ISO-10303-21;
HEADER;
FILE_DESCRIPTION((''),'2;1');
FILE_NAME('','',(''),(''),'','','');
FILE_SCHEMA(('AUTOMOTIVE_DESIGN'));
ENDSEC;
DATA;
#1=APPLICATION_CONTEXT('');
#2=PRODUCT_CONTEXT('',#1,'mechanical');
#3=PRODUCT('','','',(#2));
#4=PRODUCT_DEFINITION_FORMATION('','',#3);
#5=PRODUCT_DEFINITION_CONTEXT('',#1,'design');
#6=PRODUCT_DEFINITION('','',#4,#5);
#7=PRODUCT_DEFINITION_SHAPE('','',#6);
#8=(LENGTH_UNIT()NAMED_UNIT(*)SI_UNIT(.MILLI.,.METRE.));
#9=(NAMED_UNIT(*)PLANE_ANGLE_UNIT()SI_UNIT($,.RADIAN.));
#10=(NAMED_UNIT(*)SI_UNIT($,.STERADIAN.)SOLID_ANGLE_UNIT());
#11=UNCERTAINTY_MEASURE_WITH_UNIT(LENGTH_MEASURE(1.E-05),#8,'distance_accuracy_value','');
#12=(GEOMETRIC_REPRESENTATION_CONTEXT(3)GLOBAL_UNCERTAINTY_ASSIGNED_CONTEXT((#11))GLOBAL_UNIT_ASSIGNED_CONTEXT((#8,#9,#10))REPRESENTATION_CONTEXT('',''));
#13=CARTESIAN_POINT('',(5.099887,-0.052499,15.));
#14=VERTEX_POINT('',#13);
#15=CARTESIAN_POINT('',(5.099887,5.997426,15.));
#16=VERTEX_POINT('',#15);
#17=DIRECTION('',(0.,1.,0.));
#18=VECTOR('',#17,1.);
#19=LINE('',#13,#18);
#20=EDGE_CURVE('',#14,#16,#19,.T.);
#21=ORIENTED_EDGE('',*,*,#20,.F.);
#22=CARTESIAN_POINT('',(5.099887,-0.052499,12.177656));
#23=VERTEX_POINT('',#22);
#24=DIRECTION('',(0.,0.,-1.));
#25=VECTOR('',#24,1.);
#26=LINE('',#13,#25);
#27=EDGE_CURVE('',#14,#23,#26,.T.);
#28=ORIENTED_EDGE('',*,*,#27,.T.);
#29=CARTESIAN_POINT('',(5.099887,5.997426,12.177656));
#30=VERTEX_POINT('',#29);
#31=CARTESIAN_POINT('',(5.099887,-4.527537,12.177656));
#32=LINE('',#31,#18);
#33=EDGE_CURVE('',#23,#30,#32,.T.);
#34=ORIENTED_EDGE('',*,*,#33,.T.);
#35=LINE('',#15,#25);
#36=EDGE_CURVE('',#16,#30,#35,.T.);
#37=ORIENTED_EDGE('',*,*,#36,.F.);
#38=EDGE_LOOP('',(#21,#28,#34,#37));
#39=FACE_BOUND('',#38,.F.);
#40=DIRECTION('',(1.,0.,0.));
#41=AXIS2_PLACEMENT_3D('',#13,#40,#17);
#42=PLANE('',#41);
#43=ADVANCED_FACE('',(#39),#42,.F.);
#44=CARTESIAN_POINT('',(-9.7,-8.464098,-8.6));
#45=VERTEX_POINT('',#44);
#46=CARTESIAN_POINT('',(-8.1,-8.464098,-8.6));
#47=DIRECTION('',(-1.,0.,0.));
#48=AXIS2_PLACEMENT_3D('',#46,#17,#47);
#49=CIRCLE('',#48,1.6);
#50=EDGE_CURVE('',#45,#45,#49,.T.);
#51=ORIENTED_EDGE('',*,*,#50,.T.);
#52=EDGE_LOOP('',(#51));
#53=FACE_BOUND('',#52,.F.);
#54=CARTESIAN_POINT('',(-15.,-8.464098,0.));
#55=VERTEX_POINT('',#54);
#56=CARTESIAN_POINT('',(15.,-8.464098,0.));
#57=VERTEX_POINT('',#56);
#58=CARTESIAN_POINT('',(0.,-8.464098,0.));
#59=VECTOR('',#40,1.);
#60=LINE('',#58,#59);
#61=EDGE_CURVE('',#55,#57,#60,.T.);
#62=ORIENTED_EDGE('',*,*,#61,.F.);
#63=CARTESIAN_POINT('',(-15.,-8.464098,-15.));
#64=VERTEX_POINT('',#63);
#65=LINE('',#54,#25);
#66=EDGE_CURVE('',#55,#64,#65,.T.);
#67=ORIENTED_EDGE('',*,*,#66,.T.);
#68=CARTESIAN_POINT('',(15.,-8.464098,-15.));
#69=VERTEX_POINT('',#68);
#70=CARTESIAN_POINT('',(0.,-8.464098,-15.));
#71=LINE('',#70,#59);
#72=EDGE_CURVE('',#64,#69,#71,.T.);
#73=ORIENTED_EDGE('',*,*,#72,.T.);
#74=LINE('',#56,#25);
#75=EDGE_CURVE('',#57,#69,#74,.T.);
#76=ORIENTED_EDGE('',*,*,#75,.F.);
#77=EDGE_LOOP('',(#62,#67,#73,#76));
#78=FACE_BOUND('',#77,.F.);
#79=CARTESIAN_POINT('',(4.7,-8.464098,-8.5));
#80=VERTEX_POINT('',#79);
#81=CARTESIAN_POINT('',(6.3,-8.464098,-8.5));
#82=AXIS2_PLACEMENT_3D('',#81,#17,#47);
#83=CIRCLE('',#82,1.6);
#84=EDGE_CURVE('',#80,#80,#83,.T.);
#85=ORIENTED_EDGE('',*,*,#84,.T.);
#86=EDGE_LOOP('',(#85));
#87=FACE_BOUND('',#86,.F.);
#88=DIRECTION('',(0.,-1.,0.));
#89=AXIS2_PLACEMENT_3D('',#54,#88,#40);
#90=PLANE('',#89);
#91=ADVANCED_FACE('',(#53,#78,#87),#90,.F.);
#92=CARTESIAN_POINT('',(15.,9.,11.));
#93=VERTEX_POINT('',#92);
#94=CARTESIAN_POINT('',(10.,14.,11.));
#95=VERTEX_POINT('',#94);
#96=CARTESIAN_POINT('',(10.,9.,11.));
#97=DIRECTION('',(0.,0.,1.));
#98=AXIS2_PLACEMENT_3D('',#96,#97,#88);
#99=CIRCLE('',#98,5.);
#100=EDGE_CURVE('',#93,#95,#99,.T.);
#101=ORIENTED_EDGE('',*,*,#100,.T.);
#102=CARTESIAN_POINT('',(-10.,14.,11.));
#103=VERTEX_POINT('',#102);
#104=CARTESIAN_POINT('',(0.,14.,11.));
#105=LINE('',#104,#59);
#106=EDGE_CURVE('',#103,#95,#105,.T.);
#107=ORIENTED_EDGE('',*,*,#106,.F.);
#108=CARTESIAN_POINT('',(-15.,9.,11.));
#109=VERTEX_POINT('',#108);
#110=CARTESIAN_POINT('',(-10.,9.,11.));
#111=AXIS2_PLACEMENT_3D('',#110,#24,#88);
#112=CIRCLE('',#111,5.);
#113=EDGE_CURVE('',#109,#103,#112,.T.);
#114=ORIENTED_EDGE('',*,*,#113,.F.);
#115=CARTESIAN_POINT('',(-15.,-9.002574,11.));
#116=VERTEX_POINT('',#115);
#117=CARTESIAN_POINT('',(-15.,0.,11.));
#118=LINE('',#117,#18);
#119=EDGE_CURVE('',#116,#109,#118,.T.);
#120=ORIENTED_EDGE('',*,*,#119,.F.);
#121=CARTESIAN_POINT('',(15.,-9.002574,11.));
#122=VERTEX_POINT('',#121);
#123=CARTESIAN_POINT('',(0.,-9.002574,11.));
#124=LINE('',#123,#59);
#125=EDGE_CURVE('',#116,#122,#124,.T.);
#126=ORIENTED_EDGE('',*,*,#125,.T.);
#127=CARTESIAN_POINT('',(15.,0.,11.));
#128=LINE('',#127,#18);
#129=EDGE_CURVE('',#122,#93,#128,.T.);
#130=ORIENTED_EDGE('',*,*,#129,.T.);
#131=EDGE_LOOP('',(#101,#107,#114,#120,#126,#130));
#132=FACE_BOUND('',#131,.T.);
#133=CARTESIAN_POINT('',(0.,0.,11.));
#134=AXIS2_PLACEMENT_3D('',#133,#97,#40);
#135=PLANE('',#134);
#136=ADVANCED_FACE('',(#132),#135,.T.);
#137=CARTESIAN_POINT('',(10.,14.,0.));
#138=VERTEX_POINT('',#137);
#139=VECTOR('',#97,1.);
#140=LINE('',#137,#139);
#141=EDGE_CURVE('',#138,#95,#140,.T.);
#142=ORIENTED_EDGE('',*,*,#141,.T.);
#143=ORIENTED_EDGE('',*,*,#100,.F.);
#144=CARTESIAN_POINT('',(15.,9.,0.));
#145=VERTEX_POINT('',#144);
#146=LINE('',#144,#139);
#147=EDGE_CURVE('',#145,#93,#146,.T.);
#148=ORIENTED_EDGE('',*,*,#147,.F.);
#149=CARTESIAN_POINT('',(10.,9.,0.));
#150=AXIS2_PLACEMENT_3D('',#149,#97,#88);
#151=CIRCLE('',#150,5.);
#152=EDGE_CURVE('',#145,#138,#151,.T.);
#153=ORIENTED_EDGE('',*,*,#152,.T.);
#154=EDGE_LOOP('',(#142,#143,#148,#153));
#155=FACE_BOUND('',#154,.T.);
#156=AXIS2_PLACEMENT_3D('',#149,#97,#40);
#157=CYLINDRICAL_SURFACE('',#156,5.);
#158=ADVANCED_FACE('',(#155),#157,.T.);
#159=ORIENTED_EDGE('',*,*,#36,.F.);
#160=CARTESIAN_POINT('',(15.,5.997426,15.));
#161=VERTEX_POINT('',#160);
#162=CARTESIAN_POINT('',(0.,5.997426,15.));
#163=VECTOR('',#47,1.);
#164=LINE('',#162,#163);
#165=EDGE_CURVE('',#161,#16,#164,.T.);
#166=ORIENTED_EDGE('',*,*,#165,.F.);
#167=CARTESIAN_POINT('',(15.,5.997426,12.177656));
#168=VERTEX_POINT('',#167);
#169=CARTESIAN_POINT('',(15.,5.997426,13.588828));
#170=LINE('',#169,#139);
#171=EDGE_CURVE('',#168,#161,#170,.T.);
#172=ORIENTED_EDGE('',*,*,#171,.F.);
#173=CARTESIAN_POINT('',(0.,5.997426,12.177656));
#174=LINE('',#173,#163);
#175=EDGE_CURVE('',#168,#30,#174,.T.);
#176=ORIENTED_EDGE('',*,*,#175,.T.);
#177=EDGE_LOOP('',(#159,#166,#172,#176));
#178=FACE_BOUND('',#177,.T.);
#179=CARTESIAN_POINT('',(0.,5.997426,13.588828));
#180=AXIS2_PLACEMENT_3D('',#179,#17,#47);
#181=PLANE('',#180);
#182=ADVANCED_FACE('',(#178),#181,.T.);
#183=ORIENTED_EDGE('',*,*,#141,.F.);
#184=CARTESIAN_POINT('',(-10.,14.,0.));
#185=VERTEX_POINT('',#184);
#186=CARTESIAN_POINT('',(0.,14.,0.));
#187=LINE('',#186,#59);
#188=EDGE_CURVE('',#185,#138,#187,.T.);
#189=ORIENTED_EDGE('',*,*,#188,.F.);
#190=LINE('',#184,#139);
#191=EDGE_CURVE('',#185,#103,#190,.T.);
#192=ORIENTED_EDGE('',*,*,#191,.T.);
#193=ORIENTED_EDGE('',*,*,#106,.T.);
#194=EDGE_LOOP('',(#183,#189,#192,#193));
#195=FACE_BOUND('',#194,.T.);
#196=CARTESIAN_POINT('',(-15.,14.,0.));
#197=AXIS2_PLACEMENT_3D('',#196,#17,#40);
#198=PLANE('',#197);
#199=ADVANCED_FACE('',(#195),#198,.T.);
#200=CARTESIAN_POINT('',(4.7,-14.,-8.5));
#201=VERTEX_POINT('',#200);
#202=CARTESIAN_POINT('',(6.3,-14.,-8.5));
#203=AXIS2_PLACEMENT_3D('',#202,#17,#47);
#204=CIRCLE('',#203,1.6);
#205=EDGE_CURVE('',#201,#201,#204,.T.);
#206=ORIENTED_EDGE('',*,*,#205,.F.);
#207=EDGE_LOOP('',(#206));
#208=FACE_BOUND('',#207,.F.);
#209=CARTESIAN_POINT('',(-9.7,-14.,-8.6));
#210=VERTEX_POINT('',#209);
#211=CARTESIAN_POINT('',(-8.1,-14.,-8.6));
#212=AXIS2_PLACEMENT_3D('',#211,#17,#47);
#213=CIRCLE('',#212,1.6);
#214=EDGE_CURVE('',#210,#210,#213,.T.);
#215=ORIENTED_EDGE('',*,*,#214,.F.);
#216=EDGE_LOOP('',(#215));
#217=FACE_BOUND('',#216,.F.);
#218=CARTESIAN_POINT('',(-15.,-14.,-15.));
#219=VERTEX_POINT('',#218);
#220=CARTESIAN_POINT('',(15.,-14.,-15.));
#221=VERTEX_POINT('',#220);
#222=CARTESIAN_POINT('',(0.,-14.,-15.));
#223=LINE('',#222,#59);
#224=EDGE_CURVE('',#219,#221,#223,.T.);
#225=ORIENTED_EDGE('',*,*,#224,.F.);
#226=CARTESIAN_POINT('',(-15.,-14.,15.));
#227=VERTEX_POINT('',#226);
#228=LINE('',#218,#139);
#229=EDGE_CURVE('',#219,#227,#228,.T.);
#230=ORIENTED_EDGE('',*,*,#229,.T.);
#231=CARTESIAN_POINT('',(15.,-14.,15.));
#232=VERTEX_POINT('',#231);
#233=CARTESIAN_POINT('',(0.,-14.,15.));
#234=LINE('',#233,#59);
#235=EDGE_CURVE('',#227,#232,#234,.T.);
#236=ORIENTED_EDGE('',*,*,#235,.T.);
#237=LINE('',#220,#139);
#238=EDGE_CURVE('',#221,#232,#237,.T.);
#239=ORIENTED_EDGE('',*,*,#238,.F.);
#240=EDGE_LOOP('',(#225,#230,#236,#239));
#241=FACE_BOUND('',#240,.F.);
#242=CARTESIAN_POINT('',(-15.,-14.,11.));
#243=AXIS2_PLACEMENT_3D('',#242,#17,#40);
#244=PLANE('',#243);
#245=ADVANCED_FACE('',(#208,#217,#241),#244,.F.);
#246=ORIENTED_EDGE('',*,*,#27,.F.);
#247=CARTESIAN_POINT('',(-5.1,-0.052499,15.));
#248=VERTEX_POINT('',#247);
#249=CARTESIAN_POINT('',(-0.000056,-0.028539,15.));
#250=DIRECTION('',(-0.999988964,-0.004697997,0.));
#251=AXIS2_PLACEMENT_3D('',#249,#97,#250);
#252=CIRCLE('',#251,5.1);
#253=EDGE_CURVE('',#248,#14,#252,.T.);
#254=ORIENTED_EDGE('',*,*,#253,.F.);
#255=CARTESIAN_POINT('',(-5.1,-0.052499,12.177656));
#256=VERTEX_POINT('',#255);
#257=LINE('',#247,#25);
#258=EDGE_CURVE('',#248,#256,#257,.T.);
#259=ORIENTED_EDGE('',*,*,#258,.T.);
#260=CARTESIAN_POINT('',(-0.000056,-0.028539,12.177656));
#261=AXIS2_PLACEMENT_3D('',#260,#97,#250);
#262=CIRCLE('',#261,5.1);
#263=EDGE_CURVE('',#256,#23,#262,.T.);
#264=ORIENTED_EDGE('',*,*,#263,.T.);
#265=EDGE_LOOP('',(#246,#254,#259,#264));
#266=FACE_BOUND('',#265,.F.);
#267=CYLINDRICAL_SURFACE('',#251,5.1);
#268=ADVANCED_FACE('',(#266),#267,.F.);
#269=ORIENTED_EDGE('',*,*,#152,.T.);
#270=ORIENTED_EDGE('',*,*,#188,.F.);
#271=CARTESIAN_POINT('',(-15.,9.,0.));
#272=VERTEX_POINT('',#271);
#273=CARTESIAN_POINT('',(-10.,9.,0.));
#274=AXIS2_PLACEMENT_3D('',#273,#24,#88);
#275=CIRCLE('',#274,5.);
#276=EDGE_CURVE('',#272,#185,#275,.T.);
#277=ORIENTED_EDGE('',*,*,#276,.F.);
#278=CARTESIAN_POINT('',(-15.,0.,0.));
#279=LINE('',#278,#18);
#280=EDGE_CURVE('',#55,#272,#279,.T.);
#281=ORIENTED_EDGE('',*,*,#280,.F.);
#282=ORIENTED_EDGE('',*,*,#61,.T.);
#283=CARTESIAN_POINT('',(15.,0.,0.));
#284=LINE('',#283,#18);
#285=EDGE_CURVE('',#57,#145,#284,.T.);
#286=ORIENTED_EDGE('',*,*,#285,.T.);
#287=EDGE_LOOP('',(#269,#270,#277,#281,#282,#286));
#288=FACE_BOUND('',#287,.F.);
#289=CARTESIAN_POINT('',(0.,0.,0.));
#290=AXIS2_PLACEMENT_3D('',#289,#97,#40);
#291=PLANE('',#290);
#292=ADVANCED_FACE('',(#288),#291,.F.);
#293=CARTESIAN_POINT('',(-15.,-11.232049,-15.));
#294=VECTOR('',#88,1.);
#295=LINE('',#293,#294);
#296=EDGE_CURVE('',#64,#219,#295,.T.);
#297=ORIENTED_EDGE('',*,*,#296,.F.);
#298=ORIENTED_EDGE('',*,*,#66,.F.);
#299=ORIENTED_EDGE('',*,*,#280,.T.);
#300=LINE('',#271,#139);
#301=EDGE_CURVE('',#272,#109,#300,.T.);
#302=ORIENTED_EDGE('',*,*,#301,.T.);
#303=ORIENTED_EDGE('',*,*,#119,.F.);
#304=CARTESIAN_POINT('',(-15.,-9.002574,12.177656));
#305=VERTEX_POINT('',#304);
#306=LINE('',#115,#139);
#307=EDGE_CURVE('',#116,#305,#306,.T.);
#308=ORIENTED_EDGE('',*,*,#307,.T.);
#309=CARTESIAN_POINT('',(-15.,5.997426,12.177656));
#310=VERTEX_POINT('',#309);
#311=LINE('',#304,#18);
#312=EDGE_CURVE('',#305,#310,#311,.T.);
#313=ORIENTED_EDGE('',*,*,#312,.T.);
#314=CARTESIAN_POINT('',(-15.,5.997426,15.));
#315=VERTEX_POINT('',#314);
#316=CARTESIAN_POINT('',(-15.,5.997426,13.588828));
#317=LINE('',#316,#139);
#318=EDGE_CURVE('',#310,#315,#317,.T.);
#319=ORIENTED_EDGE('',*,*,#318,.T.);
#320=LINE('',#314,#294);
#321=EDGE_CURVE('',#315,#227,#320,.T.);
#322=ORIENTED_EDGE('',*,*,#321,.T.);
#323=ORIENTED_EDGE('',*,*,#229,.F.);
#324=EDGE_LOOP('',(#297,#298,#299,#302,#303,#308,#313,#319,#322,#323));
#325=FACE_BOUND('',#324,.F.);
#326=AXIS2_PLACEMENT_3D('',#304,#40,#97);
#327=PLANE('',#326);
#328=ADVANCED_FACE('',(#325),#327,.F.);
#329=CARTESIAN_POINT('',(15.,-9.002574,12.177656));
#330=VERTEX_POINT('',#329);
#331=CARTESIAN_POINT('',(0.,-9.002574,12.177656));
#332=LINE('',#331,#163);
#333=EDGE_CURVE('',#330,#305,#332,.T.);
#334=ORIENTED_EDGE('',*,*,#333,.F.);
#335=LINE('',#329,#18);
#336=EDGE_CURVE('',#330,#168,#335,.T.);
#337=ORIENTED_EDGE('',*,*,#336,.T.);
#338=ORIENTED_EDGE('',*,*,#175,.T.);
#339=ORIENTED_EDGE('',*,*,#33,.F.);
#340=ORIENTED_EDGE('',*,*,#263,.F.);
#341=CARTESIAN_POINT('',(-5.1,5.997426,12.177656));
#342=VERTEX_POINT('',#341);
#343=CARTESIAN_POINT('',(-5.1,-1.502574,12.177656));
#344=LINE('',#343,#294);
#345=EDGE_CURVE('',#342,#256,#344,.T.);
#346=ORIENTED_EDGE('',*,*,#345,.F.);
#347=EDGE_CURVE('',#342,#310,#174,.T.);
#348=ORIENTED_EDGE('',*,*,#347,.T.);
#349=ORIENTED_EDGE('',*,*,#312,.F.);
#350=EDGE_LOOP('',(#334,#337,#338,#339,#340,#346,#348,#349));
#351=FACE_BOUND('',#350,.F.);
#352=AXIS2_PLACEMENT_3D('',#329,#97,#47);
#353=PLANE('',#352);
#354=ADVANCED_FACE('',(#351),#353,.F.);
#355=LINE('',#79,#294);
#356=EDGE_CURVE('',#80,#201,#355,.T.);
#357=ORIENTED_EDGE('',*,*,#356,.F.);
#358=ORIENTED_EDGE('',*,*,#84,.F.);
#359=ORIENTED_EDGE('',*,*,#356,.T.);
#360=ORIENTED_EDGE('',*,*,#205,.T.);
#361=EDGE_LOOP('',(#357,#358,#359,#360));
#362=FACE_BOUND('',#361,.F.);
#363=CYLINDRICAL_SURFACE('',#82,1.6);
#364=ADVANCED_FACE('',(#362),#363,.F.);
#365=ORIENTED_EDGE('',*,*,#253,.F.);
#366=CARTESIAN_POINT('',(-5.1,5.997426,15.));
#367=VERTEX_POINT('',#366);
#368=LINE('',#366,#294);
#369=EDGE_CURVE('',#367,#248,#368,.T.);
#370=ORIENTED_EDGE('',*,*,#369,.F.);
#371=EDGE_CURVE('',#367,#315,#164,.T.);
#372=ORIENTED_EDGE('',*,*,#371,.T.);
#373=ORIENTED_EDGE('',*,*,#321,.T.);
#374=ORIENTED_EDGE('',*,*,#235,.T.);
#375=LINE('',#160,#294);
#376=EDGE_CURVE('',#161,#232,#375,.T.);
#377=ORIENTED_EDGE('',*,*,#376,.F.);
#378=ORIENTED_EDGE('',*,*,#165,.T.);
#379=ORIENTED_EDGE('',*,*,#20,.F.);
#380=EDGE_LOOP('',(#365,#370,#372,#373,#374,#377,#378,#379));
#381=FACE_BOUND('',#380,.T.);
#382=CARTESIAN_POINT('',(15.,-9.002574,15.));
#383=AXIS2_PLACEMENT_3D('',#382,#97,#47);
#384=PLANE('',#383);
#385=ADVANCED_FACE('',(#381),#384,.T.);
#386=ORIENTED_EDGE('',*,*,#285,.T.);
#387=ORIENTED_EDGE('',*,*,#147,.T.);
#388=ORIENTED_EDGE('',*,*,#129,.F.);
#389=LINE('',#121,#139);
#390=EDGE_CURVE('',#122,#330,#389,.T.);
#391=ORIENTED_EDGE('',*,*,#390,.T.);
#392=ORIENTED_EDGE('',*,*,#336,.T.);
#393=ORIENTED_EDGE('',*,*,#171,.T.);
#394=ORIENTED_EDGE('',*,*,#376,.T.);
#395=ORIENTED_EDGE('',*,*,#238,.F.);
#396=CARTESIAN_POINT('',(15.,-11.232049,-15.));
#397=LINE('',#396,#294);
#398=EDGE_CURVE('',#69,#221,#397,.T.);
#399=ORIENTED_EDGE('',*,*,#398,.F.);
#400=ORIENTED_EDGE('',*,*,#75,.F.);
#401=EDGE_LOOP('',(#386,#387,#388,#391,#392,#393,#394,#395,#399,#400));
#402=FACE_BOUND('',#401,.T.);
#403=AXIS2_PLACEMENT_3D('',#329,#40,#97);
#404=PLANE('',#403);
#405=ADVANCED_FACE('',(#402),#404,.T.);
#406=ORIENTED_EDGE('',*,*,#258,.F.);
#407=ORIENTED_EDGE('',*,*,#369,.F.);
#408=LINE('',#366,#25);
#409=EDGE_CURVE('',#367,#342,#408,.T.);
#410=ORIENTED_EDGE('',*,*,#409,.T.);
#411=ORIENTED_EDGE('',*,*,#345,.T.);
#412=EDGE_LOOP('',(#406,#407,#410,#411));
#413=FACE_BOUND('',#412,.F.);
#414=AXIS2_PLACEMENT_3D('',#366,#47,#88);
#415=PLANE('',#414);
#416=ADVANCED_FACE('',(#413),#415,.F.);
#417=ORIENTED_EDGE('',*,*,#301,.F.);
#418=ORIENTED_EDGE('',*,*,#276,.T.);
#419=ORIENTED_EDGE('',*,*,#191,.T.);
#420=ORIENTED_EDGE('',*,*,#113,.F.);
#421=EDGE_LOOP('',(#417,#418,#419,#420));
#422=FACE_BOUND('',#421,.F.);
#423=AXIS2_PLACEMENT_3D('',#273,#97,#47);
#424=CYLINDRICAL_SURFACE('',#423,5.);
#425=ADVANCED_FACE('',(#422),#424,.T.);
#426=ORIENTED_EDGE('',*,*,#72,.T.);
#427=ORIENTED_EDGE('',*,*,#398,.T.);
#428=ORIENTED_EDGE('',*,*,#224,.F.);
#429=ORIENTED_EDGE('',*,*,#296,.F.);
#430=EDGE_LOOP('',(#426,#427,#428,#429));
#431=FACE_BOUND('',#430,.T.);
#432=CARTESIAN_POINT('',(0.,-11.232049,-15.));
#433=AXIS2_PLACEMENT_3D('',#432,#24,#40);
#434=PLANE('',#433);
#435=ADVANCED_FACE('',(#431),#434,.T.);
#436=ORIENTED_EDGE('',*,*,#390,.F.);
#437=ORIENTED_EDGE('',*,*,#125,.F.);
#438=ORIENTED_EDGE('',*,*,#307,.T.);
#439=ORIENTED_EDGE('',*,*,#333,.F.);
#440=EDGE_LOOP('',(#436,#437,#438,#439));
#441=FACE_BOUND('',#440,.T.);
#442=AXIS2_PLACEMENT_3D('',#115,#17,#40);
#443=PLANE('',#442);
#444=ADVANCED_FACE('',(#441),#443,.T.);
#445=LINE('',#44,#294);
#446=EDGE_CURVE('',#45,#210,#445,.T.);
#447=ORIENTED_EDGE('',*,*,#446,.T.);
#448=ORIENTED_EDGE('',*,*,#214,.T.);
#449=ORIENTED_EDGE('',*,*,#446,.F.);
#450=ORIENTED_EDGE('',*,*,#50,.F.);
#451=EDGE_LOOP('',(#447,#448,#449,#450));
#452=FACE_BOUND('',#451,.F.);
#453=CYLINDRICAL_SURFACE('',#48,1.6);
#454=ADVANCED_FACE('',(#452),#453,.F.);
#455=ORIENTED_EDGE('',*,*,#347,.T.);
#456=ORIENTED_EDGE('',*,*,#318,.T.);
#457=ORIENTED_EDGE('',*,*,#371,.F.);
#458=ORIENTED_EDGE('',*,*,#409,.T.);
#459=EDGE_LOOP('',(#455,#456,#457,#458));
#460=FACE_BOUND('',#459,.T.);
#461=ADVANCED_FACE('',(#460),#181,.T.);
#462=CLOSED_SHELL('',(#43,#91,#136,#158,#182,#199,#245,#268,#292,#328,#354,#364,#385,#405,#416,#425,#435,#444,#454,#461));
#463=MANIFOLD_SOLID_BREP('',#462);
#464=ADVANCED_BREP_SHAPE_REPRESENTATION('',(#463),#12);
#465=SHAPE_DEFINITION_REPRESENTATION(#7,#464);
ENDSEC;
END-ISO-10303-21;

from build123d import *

# Parameters (mm, degrees)
F0_W      = 30
F0_H      = 28
F1_DEPTH  = 11
F2_R      = 5
F3_W      = 30
F3_H      = 5.535902
F4_DEPTH  = 15
F5_R      = 1.6
F6_DEPTH  = 16
F7_W      = 30
F7_H      = 4.997426
F8_DEPTH  = 4
F9_W      = 30
F9_H      = 2.822344
F10_DEPTH = 15
F12_DEPTH = 3


with BuildPart() as f1:
    # F0 (on Top) → F1 (new body)
    with BuildSketch(Plane.XY):
        Rectangle(F0_W, F0_H)
    extrude(amount=F1_DEPTH)

    # F2
    f2_edges = [f1.edges().sort_by_distance(p)[0] for p in [
        (15, 14, 5.5),
        (-15, 14, 5.5),
    ]]
    fillet(f2_edges, radius=F2_R)

    # F3 (on face) → F4 (join)
    with BuildSketch(Plane(origin=(0, 0, 0), x_dir=(1, 0, 0), z_dir=(0, 0, -1))):
        with Locations((0, 11.232049)):
            Rectangle(F3_W, F3_H)
    extrude(amount=F4_DEPTH)

    # F5 (on face) → F6 (cut)
    with BuildSketch(Plane(origin=(0, -8.464098, 0), x_dir=(-1, 0, 0), z_dir=(0, 1, 0))):
        with Locations((-6.3, -8.5)):
            Circle(F5_R)
        with Locations((8.1, -8.6)):
            Circle(F5_R)
    extrude(amount=-F6_DEPTH, mode=Mode.SUBTRACT)

    # F7 (on face) → F8 (join)
    with BuildSketch(Plane.XY.offset(11)):
        with Locations((0, -11.501287)):
            Rectangle(F7_W, F7_H)
    extrude(amount=F8_DEPTH)

    # F9 (on face) → F10 (join)
    with BuildSketch(Plane(origin=(0, -9.002574, 0), x_dir=(-1, 0, 0), z_dir=(0, 1, 0))):
        with Locations((0, 13.588828)):
            Rectangle(F9_W, F9_H)
    extrude(amount=F10_DEPTH)

    # F11 (on face) → F12 (cut)
    with BuildSketch(Plane.XY.offset(15)):
        with BuildLine():
            Line((-5.1, 5.647501), (-5.1, -0.052499))
            ThreePointArc((-5.1, -0.052499), (-5.6e-05, -5.128539), (5.099887, -0.052499))
            Line((5.099887, -0.052499), (5.099887, 5.647501))
            Line((5.099887, 5.647501), (5.099887, 5.997426))
            Line((5.099887, 5.997426), (-5.1, 5.997426))
            Line((-5.1, 5.997426), (-5.1, 5.647501))
        make_face()
    extrude(amount=-F12_DEPTH, mode=Mode.SUBTRACT)


solid = f1.part
